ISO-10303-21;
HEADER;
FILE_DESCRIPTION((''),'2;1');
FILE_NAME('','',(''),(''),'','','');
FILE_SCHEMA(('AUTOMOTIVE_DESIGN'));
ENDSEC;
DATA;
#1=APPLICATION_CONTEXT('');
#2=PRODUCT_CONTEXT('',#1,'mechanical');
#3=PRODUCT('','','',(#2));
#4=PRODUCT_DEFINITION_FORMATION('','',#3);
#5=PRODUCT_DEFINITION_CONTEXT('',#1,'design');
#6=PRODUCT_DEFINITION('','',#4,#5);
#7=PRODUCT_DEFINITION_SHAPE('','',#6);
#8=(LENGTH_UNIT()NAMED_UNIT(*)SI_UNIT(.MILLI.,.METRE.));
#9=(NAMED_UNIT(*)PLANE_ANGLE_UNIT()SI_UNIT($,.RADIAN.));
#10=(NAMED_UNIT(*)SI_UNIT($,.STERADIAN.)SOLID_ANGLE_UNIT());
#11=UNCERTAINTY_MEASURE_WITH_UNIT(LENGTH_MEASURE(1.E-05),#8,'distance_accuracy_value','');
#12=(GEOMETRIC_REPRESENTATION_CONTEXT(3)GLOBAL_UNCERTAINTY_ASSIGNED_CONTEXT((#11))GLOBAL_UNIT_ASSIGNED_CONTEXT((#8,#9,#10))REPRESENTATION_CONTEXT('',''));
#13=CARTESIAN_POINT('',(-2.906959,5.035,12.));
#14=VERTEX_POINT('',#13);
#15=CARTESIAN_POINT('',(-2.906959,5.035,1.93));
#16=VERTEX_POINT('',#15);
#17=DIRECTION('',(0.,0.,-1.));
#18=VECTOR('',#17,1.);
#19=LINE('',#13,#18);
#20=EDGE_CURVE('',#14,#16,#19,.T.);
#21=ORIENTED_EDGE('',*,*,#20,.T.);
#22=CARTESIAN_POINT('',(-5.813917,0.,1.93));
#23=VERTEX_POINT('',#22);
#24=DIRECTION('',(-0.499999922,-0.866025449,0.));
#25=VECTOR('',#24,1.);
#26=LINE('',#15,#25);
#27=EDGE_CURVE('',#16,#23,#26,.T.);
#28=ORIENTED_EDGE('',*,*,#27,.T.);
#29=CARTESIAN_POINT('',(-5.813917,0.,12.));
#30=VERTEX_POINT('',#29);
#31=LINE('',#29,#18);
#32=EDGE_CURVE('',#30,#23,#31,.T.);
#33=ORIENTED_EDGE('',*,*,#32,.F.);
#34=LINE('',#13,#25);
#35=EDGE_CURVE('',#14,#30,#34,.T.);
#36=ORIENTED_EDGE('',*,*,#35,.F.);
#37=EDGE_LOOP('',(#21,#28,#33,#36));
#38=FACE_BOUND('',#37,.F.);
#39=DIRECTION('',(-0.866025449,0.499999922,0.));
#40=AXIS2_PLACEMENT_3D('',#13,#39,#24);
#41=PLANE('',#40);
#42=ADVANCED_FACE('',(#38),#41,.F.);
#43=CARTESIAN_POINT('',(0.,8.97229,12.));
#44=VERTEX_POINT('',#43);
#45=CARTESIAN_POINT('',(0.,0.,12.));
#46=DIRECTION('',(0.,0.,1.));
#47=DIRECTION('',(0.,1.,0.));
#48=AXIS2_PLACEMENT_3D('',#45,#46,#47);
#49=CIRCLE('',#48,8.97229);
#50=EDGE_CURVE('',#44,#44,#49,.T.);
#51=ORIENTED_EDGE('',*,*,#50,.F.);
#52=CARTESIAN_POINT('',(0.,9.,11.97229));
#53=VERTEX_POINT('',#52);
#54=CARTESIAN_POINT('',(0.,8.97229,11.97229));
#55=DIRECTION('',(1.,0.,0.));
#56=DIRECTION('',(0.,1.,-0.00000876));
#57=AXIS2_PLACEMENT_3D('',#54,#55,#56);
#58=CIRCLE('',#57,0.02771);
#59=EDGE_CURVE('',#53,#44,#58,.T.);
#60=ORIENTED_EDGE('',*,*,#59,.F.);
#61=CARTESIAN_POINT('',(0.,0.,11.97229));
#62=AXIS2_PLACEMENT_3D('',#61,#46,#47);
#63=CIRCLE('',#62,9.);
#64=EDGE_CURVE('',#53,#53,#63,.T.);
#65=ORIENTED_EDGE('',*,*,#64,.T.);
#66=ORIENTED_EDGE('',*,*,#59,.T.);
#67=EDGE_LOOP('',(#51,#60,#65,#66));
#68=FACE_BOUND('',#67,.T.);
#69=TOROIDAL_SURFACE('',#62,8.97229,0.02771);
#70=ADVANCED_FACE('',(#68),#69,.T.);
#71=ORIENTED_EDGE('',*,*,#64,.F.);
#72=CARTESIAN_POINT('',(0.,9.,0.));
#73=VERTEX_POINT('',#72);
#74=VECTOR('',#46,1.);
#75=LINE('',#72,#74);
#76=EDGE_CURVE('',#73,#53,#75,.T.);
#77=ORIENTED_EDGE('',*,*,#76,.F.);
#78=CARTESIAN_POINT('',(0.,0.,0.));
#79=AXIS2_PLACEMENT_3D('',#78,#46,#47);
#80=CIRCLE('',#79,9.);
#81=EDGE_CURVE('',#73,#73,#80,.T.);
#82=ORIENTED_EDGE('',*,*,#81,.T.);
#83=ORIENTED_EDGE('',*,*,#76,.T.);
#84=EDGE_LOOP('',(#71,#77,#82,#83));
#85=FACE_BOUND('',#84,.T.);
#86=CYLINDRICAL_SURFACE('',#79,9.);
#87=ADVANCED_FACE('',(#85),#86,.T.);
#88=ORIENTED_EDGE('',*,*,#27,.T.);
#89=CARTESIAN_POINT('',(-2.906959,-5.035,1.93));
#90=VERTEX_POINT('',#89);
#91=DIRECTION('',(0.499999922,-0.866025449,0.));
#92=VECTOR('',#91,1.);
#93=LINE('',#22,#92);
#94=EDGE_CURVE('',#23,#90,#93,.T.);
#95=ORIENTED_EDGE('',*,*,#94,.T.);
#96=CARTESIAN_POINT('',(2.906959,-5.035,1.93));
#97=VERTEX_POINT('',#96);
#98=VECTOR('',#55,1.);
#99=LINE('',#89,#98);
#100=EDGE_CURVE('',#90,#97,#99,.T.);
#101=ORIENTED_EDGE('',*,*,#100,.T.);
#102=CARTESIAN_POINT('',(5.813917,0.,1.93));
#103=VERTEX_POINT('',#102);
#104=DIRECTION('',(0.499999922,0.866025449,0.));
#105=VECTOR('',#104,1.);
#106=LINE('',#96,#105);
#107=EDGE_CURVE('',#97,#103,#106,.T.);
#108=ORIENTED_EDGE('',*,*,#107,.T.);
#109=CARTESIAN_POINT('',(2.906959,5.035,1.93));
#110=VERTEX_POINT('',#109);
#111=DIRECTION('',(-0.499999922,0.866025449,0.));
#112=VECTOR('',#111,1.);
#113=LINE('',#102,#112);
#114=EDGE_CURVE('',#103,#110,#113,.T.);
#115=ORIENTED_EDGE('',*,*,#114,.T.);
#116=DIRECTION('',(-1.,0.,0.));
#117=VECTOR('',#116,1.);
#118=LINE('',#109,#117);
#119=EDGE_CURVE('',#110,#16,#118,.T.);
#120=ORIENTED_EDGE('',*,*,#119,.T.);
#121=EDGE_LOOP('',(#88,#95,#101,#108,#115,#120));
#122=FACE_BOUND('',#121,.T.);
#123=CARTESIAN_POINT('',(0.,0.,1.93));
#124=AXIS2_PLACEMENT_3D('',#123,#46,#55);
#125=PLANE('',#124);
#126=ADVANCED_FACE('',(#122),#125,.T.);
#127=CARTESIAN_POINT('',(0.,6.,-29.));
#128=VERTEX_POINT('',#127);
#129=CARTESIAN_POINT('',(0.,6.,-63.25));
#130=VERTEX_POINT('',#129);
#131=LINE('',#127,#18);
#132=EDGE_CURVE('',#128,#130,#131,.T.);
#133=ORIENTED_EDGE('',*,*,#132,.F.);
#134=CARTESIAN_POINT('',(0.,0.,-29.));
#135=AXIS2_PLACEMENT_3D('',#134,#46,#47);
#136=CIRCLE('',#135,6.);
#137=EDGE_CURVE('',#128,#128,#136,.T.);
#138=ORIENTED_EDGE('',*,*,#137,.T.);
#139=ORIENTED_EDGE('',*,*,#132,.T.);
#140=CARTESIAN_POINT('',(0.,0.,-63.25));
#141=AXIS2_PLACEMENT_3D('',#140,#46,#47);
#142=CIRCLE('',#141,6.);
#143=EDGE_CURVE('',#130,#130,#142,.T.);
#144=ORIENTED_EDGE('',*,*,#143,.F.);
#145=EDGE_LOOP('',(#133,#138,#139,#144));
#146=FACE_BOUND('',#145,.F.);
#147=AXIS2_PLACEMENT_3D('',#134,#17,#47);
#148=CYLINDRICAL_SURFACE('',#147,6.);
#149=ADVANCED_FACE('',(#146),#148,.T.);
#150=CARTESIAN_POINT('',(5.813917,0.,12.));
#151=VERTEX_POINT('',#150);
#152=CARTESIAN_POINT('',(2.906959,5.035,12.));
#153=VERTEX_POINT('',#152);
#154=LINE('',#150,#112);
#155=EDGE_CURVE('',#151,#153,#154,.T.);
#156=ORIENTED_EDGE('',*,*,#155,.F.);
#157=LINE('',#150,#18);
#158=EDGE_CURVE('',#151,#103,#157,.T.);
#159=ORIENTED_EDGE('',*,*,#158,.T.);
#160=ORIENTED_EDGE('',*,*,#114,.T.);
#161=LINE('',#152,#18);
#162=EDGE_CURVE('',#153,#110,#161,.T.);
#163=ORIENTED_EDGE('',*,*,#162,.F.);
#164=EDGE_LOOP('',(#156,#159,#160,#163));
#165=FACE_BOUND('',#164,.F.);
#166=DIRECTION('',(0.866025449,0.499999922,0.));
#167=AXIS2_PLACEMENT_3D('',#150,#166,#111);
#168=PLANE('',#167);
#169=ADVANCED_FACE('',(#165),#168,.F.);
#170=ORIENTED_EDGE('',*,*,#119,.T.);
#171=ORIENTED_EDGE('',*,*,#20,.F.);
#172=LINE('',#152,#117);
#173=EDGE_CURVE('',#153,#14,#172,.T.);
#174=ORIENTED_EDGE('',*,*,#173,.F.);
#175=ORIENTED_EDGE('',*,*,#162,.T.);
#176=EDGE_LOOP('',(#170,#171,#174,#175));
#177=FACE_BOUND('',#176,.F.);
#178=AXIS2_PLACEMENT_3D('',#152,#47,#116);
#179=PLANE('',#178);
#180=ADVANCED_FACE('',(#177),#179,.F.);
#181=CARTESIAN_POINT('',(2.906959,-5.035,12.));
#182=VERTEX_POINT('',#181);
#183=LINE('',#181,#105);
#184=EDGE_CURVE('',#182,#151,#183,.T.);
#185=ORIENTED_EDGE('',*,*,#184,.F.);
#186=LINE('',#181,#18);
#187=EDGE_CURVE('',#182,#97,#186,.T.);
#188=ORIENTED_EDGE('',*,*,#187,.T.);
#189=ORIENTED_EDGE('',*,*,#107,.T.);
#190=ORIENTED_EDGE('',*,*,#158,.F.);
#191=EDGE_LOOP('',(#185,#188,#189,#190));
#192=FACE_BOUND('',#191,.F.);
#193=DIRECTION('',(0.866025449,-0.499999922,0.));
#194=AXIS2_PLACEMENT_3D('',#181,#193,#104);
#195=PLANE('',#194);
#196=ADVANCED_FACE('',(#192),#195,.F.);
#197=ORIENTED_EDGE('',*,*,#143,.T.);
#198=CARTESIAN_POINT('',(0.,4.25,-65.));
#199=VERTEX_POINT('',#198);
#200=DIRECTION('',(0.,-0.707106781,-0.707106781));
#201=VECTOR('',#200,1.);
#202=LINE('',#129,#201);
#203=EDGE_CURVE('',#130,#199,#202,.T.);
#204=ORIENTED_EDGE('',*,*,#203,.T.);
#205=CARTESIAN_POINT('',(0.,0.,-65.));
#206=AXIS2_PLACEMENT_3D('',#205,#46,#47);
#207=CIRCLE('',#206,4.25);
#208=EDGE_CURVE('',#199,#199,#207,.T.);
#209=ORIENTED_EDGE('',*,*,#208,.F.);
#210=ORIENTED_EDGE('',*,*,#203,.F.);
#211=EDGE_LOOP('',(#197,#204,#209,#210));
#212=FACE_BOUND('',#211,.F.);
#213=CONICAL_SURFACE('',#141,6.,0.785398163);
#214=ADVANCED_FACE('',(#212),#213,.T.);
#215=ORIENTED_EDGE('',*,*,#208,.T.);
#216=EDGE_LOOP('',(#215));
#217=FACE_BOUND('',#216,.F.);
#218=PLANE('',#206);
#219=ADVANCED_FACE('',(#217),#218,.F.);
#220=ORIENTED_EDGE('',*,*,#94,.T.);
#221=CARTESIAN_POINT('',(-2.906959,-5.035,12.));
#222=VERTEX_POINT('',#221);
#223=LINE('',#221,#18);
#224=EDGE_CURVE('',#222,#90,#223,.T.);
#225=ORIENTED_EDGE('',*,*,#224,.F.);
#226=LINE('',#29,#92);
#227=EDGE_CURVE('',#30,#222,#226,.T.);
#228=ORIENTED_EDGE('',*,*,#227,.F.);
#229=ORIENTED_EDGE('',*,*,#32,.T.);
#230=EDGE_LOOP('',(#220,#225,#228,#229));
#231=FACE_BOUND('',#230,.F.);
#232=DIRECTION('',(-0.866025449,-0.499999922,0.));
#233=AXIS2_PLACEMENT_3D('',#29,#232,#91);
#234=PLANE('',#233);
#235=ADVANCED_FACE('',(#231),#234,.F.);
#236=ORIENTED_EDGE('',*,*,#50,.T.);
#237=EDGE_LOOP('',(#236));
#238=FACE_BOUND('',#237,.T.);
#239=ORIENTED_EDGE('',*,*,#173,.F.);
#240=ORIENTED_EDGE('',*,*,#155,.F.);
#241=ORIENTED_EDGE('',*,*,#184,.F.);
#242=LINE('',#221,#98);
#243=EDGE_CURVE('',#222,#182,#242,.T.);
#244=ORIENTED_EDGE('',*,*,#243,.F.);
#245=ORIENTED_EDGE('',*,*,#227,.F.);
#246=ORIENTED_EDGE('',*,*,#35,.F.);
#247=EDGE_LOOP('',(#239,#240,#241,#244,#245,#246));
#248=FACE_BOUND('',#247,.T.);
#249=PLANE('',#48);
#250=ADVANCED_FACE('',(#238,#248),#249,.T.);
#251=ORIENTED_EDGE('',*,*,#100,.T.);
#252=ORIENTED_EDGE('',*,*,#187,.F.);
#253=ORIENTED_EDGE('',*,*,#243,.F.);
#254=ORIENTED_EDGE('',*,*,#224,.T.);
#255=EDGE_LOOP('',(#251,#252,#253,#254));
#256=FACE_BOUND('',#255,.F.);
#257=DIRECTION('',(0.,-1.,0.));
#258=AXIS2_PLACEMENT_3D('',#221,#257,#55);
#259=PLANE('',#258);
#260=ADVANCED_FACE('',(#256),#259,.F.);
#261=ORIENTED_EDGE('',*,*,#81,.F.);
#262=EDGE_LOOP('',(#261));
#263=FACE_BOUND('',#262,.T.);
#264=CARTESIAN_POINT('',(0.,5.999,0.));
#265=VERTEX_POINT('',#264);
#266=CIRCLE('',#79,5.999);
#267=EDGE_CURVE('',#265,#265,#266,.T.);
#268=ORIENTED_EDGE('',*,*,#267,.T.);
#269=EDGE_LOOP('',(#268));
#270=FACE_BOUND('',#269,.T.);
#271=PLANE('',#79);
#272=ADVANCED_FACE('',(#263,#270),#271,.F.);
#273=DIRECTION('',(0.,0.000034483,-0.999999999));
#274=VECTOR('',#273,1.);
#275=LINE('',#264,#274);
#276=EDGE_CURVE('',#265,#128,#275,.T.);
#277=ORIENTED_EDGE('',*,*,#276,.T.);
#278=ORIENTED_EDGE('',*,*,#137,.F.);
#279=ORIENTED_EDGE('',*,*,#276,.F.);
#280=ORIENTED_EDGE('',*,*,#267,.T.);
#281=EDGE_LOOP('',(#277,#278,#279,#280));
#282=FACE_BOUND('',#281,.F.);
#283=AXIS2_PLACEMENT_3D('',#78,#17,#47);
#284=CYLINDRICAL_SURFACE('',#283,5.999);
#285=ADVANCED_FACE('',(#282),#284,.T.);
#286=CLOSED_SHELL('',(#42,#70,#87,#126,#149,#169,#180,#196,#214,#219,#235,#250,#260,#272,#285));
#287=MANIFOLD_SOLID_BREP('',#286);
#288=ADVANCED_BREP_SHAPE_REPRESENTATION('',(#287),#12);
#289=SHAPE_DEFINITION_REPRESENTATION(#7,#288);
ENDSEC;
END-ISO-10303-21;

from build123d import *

# Parameters (mm, degrees)
POCKET_DEPTH = 10.07


with BuildPart() as part:
    # Sketch → Revolve (revolve)
    with BuildSketch(Plane.YZ):
        with BuildLine():
            Line((5.999, 0), (9, 0))
            Line((9, 0), (9, 11.97229))
            ThreePointArc((9, 11.97229), (8.991884, 11.991884), (8.97229, 12))
            Line((8.97229, 12), (0, 12))
            Line((0, -65), (0, 12))
            Line((4.25, -65), (0, -65))
            Line((6, -63.25), (4.25, -65))
            Line((6, -29), (6, -63.25))
            Line((5.999, 0), (6, -29))
        make_face()
    revolve(axis=Axis((0, 0, 0), (0, 0, 1)))

    # Sketch001 → Pocket (cut)
    with BuildSketch(Plane.XY.offset(12)):
        Polygon((5.813917, 0), (2.906959, 5.035), (-2.906959, 5.035), (-5.813917, 0), (-2.906959, -5.035), (2.906959, -5.035), align=None)
    extrude(amount=-POCKET_DEPTH, mode=Mode.SUBTRACT)


solid = part.part
